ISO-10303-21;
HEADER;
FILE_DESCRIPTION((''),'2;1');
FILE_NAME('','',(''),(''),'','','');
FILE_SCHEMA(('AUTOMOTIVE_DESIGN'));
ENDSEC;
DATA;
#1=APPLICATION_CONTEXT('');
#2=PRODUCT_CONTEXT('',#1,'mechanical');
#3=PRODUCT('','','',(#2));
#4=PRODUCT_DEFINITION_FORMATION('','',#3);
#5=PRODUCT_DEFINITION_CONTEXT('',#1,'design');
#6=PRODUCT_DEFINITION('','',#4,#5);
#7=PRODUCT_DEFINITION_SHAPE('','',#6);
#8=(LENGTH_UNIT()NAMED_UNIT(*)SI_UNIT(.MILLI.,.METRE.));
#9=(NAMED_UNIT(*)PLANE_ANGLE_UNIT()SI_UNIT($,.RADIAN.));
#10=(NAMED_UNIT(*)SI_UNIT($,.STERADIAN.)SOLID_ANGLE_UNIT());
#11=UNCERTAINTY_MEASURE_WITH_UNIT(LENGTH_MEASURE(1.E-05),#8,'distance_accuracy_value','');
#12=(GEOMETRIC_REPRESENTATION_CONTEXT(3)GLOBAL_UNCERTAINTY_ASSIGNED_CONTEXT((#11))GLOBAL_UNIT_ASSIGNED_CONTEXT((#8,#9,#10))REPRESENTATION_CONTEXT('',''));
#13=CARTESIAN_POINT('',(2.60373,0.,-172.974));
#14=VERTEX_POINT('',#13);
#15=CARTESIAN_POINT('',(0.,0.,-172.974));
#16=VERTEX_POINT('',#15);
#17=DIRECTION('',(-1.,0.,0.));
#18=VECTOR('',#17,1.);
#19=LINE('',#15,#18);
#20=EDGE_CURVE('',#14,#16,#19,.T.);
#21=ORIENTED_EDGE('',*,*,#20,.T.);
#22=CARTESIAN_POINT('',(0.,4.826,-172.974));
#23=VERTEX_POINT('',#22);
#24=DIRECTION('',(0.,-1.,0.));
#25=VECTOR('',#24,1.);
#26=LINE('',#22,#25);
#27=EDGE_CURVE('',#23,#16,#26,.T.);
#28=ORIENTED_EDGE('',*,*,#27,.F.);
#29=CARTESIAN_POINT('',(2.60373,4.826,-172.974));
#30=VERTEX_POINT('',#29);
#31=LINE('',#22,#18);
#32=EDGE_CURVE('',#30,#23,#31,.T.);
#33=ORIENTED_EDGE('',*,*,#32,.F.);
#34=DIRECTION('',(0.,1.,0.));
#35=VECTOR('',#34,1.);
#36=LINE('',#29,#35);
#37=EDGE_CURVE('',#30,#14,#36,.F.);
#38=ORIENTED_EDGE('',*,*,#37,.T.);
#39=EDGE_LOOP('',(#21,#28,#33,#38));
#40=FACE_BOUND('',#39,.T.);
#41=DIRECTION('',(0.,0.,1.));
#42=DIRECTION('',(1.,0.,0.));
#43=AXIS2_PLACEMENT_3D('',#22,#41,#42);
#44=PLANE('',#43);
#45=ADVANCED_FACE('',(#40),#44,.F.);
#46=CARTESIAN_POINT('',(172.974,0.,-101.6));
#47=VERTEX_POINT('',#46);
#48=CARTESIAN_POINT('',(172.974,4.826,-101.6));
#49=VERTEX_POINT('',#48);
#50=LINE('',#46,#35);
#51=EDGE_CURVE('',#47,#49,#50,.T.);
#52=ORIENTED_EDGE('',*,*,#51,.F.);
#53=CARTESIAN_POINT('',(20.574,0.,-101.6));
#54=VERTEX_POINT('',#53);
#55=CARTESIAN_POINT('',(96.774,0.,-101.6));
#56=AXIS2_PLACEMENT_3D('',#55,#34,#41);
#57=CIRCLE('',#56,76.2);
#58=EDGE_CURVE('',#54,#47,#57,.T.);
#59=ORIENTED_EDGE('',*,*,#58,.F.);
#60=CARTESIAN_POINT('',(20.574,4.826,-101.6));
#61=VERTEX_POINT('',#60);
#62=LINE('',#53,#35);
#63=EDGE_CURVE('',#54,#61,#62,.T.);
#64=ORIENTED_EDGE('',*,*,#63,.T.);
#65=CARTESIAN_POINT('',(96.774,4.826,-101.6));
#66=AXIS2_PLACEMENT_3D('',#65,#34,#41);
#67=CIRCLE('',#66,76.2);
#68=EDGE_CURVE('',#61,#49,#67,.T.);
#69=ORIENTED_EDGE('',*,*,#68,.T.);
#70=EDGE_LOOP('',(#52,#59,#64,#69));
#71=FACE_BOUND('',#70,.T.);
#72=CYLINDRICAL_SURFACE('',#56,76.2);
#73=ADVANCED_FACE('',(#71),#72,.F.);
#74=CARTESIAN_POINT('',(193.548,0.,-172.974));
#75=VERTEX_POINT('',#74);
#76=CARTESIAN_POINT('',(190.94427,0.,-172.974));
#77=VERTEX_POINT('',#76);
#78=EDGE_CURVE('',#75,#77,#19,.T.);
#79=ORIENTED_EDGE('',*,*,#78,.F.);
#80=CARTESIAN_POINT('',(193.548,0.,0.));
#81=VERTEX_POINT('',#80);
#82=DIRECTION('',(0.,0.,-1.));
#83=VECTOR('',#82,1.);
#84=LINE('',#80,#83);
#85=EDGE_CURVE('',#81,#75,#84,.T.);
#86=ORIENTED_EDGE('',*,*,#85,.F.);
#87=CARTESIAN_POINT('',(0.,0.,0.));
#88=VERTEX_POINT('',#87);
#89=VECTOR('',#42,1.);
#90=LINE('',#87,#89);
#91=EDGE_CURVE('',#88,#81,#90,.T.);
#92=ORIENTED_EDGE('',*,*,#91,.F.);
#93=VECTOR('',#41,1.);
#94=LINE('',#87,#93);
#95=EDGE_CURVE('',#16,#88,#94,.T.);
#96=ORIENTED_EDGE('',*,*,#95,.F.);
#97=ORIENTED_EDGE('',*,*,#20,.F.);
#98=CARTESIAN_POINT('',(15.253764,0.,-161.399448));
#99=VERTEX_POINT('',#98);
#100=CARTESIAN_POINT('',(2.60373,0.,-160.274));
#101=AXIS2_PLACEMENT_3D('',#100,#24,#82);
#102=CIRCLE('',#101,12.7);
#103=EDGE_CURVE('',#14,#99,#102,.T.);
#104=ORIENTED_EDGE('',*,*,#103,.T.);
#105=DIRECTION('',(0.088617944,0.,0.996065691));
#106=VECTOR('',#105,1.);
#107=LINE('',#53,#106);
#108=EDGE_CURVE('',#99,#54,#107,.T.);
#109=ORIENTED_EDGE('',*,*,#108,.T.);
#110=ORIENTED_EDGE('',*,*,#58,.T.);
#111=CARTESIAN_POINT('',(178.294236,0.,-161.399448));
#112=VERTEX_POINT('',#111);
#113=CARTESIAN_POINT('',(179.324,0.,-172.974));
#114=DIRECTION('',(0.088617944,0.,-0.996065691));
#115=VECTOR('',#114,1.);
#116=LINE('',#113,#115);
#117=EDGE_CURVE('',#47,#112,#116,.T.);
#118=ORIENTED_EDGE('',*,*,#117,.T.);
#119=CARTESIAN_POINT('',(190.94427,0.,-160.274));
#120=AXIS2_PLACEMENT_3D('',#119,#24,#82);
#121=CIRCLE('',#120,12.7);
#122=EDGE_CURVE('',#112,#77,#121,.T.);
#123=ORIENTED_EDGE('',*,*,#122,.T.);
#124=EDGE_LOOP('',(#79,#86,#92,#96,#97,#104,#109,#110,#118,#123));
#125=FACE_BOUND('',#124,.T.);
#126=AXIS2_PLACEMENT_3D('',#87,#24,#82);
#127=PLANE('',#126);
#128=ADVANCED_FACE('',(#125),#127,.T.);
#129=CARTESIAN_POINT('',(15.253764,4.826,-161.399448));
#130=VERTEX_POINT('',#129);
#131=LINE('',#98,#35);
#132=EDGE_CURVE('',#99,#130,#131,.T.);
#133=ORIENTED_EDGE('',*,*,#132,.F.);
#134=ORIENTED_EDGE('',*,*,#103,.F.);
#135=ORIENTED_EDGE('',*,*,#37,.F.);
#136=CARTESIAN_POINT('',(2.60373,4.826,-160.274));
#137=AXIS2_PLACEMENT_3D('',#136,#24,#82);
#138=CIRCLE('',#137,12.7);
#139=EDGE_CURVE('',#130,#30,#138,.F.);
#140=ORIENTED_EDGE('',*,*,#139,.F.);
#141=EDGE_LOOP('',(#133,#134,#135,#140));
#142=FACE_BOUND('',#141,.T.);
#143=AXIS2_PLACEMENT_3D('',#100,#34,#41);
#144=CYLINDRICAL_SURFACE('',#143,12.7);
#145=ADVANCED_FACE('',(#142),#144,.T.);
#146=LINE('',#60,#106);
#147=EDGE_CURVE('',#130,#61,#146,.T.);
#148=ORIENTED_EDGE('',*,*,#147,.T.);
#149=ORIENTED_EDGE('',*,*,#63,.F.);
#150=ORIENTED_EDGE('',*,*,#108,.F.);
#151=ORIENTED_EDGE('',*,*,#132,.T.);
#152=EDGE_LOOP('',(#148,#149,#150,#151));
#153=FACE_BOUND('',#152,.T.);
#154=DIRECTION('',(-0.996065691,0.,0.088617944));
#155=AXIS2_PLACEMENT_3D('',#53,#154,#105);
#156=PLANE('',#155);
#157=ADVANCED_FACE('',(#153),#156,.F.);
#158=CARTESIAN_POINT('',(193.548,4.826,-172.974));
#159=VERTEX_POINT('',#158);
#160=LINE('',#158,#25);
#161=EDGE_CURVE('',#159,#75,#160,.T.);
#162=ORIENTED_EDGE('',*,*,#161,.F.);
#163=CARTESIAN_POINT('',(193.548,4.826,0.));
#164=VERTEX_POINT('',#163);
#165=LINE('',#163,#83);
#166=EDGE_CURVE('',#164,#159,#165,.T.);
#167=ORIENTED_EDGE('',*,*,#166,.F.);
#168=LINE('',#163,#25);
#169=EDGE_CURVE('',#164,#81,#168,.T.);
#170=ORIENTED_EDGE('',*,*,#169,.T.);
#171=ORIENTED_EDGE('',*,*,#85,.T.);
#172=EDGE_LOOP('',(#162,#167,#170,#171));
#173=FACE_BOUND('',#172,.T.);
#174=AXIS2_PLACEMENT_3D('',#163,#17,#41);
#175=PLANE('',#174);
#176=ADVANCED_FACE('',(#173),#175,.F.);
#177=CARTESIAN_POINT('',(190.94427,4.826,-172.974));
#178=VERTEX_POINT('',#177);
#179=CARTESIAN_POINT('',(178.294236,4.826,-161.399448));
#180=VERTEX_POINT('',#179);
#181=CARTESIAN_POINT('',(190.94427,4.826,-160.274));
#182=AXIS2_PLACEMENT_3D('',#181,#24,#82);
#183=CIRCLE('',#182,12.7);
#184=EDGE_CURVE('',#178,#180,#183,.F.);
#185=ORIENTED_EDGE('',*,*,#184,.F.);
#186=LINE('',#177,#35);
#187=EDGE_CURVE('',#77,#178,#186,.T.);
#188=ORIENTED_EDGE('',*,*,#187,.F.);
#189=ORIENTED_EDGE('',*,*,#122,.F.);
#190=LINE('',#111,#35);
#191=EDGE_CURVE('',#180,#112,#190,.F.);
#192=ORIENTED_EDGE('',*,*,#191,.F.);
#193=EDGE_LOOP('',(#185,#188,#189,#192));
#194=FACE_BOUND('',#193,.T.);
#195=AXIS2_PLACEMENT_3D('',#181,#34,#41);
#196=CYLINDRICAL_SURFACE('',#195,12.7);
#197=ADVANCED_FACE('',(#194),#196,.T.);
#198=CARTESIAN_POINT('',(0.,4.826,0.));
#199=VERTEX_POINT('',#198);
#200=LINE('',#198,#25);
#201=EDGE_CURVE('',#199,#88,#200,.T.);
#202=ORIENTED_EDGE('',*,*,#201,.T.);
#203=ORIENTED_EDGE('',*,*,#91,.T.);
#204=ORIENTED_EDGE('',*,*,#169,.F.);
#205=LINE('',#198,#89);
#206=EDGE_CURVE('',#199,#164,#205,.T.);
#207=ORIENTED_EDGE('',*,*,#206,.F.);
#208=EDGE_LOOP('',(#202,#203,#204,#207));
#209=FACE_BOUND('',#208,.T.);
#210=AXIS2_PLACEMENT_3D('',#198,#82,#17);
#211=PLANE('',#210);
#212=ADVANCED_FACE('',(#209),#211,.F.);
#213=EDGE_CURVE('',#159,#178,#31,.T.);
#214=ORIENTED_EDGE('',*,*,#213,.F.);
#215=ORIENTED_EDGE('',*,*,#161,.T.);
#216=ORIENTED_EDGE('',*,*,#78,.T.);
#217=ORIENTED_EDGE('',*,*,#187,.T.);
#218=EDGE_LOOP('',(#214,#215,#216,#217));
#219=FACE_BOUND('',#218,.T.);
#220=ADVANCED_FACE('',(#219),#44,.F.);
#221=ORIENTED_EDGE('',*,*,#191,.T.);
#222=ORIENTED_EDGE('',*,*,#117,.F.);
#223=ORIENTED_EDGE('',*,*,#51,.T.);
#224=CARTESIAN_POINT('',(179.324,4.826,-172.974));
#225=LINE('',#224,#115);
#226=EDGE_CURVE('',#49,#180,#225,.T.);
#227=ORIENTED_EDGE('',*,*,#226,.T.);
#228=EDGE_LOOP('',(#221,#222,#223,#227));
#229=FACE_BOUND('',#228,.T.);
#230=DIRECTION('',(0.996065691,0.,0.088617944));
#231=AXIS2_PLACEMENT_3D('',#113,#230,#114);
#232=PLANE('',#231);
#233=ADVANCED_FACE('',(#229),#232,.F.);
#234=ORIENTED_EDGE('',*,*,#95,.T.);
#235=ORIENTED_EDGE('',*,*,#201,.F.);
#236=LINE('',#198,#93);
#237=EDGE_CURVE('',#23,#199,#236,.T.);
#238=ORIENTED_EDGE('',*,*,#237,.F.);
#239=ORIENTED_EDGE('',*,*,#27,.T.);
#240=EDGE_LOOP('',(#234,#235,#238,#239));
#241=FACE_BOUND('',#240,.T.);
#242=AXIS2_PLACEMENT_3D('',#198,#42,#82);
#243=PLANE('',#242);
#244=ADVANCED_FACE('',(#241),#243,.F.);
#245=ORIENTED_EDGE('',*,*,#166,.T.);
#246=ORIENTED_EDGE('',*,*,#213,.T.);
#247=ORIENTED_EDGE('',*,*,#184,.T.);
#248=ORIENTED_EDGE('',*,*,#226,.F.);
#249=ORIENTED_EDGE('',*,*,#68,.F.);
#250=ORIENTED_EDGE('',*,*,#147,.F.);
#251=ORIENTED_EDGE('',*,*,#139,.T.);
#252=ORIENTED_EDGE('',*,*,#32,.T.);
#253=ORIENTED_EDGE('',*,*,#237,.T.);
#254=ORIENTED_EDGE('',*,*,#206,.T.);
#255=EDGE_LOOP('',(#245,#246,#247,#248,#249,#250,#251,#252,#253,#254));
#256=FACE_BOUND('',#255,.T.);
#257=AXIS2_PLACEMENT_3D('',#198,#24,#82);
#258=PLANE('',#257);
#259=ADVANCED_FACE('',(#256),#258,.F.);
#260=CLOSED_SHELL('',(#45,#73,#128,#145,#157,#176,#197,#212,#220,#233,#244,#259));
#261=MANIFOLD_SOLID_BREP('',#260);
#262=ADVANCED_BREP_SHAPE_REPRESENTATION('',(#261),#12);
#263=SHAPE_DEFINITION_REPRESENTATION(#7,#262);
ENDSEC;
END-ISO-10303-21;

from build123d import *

# Parameters (mm, degrees)
SKETCH1_W             = 193.548
SKETCH1_H             = 172.974
BASE_DEPTH            = 4.826
CENTER_CUT_DEPTH      = 260.623040688
LEADING_EDGE_FILLET_R = 12.7


with BuildPart() as part:
    # Sketch1 → Base (new body)
    with BuildSketch(Plane(origin=(0, 0, 0), x_dir=(1, 0, 0), z_dir=(0, 1, 0))):
        with Locations((96.774, 86.487)):
            Rectangle(SKETCH1_W, SKETCH1_H)
    extrude(amount=BASE_DEPTH)

    # Sketch2 → Center Cut (cut, through all)
    with BuildSketch(Plane(origin=(0, 4.826, 0), x_dir=(1, 0, 0), z_dir=(0, 1, 0))):
        with BuildLine():
            Line((20.574, 101.6), (14.224, 172.974))
            Line((14.224, 172.974), (179.324, 172.974))
            Line((179.324, 172.974), (172.974, 101.6))
            ThreePointArc((172.974, 101.6), (96.774, 25.4), (20.574, 101.6))
        make_face()
    extrude(amount=-CENTER_CUT_DEPTH, mode=Mode.SUBTRACT)

    # Leading Edge Fillet
    leading_edge_fillet_edges = [part.edges().sort_by_distance(p)[0] for p in [
        (14.224, 2.413, -172.974),
        (179.324, 2.413, -172.974),
    ]]
    fillet(leading_edge_fillet_edges, radius=LEADING_EDGE_FILLET_R)


solid = part.part
